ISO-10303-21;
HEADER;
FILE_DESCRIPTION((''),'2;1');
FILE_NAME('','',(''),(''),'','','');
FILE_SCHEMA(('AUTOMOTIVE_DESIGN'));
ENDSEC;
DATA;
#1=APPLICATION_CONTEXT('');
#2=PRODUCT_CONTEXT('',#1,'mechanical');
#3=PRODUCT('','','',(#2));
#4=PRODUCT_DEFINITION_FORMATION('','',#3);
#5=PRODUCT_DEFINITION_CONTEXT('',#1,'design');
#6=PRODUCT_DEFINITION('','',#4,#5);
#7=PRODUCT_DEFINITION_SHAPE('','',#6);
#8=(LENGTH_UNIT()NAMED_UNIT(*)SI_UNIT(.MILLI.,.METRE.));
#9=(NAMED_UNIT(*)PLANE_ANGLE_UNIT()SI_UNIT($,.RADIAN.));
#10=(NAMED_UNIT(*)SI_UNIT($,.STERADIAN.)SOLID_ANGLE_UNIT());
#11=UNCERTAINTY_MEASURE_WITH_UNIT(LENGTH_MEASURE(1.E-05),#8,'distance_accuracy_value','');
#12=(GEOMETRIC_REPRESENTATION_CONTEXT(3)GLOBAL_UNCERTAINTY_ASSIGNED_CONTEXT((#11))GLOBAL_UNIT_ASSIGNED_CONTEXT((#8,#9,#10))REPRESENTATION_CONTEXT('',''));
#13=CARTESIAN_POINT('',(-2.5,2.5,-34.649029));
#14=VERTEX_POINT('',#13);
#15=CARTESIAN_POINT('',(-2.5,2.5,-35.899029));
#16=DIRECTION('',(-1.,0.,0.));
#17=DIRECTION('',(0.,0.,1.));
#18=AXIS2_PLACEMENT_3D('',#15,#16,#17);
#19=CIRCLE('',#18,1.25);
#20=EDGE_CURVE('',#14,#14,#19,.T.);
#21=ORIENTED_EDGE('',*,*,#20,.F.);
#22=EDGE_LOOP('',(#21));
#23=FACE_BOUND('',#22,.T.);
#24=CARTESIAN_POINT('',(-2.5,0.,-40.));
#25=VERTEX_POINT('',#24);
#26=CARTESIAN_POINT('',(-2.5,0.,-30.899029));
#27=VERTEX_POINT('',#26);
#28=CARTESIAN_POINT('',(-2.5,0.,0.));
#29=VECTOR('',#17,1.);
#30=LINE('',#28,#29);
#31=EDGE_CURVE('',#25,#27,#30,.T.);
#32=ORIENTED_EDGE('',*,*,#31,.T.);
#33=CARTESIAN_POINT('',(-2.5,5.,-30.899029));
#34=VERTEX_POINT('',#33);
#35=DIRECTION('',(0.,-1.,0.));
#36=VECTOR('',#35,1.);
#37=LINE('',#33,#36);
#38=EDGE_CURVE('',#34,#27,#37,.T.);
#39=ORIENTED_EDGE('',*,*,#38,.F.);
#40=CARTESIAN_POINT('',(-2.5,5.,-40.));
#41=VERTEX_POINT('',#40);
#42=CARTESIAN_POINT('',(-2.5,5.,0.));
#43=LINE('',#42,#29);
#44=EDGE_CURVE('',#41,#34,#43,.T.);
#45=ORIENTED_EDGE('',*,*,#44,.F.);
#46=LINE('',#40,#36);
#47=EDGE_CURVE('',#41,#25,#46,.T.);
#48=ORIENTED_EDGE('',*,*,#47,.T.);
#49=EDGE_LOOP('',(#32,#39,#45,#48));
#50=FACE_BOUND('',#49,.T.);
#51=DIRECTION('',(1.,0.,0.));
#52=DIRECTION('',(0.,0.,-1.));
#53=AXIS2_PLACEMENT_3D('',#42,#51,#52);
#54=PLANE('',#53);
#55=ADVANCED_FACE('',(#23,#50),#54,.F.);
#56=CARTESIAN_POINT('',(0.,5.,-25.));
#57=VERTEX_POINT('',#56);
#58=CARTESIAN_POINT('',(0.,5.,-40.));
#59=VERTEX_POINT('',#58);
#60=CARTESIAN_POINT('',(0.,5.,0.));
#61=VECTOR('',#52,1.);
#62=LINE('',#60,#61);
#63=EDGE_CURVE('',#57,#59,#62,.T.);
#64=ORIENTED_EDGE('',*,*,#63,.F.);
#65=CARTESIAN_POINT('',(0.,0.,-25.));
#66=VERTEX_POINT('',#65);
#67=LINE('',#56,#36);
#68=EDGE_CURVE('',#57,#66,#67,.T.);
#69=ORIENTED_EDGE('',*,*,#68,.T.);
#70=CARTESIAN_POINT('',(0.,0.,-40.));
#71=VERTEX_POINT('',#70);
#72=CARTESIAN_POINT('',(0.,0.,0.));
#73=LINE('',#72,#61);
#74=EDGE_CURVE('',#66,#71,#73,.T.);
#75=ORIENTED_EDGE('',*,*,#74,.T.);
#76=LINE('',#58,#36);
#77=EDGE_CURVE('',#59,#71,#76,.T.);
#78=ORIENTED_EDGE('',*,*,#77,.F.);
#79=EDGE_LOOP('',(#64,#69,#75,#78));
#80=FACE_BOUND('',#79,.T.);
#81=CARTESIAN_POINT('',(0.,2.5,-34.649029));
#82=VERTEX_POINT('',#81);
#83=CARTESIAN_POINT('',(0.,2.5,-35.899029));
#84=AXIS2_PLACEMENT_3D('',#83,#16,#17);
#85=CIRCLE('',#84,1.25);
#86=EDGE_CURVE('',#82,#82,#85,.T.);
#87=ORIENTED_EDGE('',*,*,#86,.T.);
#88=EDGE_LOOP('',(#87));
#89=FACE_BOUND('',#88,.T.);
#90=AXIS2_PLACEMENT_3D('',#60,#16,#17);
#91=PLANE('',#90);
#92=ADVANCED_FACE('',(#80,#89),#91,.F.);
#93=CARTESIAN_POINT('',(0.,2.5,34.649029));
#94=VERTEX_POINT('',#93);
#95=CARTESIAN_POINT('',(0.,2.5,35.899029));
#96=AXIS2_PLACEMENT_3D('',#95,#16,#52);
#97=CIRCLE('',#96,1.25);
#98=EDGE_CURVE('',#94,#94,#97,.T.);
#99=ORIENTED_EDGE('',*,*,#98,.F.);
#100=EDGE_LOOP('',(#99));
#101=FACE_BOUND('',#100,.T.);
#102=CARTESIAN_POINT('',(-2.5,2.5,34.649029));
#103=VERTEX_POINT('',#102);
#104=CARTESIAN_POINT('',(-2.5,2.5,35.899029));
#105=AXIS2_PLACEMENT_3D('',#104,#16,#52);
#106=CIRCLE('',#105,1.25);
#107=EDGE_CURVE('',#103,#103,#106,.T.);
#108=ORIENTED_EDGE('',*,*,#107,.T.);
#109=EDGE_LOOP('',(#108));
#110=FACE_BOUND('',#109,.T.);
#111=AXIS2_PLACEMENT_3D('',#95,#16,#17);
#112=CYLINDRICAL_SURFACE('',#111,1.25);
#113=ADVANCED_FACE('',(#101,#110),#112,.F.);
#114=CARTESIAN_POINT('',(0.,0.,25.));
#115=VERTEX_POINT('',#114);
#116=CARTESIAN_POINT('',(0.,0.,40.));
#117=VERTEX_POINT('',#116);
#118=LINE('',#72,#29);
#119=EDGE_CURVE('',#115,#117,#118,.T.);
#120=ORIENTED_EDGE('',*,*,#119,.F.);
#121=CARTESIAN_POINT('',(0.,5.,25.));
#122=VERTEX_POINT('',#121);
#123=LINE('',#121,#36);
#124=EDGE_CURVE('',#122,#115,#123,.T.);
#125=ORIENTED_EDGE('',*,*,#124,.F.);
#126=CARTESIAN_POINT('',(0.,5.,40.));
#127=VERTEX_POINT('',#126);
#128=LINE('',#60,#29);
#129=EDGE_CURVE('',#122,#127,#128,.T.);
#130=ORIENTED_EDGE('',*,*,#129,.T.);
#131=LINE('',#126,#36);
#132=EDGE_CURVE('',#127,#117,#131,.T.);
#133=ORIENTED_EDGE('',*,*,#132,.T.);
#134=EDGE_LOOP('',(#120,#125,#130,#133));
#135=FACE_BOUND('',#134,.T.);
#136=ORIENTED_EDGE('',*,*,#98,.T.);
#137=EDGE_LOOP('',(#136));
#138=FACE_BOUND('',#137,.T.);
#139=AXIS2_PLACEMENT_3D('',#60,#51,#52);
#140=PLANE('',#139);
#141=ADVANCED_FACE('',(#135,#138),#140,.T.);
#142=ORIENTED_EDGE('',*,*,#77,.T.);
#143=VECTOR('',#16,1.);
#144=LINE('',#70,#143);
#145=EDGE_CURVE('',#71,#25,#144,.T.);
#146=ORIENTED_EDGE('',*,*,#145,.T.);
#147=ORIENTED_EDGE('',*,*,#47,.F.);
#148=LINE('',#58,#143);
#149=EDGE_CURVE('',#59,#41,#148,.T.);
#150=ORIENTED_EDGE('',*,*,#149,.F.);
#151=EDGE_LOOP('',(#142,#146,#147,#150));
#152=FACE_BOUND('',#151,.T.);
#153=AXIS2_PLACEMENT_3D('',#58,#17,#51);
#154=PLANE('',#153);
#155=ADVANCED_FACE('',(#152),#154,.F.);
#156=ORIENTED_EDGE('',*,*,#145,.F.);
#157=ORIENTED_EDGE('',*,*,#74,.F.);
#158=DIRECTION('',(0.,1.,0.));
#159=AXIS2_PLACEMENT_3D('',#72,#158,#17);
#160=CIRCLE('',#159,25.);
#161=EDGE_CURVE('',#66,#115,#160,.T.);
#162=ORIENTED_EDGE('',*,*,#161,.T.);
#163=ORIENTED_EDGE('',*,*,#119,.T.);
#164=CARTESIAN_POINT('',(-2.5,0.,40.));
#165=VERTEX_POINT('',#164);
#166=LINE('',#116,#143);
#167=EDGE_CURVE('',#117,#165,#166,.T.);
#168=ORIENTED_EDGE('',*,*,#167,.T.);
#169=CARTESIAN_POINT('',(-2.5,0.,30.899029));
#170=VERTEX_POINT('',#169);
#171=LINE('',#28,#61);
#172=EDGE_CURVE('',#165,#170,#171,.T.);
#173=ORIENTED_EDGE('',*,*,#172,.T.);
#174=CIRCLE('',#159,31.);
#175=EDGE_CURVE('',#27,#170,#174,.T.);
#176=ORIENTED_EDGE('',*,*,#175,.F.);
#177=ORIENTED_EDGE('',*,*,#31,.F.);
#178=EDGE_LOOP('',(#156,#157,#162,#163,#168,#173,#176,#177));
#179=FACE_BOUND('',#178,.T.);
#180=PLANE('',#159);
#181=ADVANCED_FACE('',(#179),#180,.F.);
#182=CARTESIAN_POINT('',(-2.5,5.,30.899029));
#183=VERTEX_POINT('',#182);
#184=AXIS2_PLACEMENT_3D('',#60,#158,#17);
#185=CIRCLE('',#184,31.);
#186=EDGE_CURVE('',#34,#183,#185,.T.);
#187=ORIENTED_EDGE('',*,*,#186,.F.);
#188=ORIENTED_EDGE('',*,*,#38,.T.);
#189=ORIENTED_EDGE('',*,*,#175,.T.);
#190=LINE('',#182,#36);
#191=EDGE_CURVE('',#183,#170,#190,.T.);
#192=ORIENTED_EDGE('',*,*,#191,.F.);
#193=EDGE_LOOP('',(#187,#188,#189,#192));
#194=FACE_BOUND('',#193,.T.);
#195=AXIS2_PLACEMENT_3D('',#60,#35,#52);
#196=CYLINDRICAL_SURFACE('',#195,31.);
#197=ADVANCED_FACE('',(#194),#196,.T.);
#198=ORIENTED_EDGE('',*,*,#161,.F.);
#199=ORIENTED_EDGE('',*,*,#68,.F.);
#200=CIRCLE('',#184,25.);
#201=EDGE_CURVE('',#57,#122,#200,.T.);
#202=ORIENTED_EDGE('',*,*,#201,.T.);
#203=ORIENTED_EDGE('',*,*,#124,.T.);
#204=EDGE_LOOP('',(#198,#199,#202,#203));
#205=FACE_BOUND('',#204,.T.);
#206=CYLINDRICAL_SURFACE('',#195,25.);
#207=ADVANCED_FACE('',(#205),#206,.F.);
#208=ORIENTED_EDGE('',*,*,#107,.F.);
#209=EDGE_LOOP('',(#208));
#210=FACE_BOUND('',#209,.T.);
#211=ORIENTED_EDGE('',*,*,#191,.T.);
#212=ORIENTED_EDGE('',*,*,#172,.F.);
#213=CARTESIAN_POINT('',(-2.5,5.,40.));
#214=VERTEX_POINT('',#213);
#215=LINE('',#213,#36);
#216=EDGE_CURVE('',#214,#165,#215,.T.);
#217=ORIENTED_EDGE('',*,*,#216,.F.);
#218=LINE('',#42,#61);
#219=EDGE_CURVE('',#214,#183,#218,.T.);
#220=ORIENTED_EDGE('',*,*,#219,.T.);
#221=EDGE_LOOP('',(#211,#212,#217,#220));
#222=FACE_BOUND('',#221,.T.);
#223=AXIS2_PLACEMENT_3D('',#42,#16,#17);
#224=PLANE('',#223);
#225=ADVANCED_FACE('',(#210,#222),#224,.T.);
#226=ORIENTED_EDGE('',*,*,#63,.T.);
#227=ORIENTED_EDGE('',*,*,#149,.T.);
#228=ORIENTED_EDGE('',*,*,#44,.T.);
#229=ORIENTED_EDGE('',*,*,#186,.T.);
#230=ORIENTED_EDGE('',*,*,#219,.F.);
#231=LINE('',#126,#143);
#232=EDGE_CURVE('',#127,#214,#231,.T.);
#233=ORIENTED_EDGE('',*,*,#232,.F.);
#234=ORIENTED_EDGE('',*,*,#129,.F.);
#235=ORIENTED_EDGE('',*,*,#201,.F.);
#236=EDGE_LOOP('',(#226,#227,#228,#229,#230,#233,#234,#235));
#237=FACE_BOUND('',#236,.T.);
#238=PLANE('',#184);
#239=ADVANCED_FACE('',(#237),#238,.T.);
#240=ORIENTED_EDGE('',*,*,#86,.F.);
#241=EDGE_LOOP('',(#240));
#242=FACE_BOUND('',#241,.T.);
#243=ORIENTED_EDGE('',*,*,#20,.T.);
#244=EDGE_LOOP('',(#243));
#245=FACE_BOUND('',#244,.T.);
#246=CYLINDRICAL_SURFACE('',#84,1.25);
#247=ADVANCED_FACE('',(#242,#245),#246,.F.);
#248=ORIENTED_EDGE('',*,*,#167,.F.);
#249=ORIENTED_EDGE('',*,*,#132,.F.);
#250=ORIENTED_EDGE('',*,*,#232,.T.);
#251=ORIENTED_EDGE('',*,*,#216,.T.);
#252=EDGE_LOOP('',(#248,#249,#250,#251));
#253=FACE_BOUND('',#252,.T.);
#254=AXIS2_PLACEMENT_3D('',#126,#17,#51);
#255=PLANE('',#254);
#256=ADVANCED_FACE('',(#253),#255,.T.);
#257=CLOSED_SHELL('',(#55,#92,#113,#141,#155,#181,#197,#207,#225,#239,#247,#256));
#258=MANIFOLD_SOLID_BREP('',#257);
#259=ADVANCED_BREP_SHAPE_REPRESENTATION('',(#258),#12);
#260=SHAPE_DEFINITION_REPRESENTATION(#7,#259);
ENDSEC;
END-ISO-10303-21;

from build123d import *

# Parameters (mm, degrees)
BOSS_EXTRUDE1_DEPTH = 5
SKETCH5_R           = 1.25
CUT_EXTRUDE1_DEPTH  = 3.5


with BuildPart() as part:
    # Sketch1 → Boss-Extrude1 (new body)
    with BuildSketch(Plane(origin=(0, 0, 0), x_dir=(1, 0, 0), z_dir=(0, 1, 0))):
        with BuildLine():
            Line((-2.5, -30.899029111), (-2.5, -24.874685928))
            ThreePointArc((-2.5, -24.874685928), (-25, 0), (-2.5, 24.874685928))
            Line((-2.5, 24.874685928), (-2.5, 30.899029111))
            ThreePointArc((-2.5, 30.899029111), (-31, 0), (-2.5, -30.899029111))
        make_face()
        with BuildLine():
            Line((0, -31), (0, -25))
            ThreePointArc((0, -25), (-1.251569376, -24.968651828), (-2.5, -24.874685928))
            Line((-2.5, -24.874685928), (-2.5, -30.899029111))
            ThreePointArc((-2.5, -30.899029111), (-1.251019097, -30.974746992), (0, -31))
        make_face()
        with BuildLine():
            Line((0, -40), (0, -31))
            ThreePointArc((0, -31), (-1.251019097, -30.974746992), (-2.5, -30.899029111))
            Line((-2.5, -30.899029111), (-2.5, -40))
            Line((-2.5, -40), (0, -40))
        make_face()
        with BuildLine():
            Line((-2.5, 30.899029111), (-2.5, 24.874685928))
            ThreePointArc((-2.5, 24.874685928), (-1.251569376, 24.968651828), (0, 25))
            Line((0, 25), (0, 31))
            ThreePointArc((0, 31), (-1.251019097, 30.974746992), (-2.5, 30.899029111))
        make_face()
        with BuildLine():
            Line((-2.5, 40), (-2.5, 30.899029111))
            ThreePointArc((-2.5, 30.899029111), (-1.251019097, 30.974746992), (0, 31))
            Line((0, 31), (0, 40))
            Line((0, 40), (-2.5, 40))
        make_face()
    extrude(amount=BOSS_EXTRUDE1_DEPTH)

    # Sketch5 → Cut-Extrude1 (cut, through all)
    with BuildSketch(Plane.ZY.offset(2.5)):
        with Locations((-35.899029111, 2.5)):
            Circle(SKETCH5_R)
        with Locations((35.899029111, 2.5)):
            Circle(SKETCH5_R)
    extrude(amount=-CUT_EXTRUDE1_DEPTH, mode=Mode.SUBTRACT)


solid = part.part
